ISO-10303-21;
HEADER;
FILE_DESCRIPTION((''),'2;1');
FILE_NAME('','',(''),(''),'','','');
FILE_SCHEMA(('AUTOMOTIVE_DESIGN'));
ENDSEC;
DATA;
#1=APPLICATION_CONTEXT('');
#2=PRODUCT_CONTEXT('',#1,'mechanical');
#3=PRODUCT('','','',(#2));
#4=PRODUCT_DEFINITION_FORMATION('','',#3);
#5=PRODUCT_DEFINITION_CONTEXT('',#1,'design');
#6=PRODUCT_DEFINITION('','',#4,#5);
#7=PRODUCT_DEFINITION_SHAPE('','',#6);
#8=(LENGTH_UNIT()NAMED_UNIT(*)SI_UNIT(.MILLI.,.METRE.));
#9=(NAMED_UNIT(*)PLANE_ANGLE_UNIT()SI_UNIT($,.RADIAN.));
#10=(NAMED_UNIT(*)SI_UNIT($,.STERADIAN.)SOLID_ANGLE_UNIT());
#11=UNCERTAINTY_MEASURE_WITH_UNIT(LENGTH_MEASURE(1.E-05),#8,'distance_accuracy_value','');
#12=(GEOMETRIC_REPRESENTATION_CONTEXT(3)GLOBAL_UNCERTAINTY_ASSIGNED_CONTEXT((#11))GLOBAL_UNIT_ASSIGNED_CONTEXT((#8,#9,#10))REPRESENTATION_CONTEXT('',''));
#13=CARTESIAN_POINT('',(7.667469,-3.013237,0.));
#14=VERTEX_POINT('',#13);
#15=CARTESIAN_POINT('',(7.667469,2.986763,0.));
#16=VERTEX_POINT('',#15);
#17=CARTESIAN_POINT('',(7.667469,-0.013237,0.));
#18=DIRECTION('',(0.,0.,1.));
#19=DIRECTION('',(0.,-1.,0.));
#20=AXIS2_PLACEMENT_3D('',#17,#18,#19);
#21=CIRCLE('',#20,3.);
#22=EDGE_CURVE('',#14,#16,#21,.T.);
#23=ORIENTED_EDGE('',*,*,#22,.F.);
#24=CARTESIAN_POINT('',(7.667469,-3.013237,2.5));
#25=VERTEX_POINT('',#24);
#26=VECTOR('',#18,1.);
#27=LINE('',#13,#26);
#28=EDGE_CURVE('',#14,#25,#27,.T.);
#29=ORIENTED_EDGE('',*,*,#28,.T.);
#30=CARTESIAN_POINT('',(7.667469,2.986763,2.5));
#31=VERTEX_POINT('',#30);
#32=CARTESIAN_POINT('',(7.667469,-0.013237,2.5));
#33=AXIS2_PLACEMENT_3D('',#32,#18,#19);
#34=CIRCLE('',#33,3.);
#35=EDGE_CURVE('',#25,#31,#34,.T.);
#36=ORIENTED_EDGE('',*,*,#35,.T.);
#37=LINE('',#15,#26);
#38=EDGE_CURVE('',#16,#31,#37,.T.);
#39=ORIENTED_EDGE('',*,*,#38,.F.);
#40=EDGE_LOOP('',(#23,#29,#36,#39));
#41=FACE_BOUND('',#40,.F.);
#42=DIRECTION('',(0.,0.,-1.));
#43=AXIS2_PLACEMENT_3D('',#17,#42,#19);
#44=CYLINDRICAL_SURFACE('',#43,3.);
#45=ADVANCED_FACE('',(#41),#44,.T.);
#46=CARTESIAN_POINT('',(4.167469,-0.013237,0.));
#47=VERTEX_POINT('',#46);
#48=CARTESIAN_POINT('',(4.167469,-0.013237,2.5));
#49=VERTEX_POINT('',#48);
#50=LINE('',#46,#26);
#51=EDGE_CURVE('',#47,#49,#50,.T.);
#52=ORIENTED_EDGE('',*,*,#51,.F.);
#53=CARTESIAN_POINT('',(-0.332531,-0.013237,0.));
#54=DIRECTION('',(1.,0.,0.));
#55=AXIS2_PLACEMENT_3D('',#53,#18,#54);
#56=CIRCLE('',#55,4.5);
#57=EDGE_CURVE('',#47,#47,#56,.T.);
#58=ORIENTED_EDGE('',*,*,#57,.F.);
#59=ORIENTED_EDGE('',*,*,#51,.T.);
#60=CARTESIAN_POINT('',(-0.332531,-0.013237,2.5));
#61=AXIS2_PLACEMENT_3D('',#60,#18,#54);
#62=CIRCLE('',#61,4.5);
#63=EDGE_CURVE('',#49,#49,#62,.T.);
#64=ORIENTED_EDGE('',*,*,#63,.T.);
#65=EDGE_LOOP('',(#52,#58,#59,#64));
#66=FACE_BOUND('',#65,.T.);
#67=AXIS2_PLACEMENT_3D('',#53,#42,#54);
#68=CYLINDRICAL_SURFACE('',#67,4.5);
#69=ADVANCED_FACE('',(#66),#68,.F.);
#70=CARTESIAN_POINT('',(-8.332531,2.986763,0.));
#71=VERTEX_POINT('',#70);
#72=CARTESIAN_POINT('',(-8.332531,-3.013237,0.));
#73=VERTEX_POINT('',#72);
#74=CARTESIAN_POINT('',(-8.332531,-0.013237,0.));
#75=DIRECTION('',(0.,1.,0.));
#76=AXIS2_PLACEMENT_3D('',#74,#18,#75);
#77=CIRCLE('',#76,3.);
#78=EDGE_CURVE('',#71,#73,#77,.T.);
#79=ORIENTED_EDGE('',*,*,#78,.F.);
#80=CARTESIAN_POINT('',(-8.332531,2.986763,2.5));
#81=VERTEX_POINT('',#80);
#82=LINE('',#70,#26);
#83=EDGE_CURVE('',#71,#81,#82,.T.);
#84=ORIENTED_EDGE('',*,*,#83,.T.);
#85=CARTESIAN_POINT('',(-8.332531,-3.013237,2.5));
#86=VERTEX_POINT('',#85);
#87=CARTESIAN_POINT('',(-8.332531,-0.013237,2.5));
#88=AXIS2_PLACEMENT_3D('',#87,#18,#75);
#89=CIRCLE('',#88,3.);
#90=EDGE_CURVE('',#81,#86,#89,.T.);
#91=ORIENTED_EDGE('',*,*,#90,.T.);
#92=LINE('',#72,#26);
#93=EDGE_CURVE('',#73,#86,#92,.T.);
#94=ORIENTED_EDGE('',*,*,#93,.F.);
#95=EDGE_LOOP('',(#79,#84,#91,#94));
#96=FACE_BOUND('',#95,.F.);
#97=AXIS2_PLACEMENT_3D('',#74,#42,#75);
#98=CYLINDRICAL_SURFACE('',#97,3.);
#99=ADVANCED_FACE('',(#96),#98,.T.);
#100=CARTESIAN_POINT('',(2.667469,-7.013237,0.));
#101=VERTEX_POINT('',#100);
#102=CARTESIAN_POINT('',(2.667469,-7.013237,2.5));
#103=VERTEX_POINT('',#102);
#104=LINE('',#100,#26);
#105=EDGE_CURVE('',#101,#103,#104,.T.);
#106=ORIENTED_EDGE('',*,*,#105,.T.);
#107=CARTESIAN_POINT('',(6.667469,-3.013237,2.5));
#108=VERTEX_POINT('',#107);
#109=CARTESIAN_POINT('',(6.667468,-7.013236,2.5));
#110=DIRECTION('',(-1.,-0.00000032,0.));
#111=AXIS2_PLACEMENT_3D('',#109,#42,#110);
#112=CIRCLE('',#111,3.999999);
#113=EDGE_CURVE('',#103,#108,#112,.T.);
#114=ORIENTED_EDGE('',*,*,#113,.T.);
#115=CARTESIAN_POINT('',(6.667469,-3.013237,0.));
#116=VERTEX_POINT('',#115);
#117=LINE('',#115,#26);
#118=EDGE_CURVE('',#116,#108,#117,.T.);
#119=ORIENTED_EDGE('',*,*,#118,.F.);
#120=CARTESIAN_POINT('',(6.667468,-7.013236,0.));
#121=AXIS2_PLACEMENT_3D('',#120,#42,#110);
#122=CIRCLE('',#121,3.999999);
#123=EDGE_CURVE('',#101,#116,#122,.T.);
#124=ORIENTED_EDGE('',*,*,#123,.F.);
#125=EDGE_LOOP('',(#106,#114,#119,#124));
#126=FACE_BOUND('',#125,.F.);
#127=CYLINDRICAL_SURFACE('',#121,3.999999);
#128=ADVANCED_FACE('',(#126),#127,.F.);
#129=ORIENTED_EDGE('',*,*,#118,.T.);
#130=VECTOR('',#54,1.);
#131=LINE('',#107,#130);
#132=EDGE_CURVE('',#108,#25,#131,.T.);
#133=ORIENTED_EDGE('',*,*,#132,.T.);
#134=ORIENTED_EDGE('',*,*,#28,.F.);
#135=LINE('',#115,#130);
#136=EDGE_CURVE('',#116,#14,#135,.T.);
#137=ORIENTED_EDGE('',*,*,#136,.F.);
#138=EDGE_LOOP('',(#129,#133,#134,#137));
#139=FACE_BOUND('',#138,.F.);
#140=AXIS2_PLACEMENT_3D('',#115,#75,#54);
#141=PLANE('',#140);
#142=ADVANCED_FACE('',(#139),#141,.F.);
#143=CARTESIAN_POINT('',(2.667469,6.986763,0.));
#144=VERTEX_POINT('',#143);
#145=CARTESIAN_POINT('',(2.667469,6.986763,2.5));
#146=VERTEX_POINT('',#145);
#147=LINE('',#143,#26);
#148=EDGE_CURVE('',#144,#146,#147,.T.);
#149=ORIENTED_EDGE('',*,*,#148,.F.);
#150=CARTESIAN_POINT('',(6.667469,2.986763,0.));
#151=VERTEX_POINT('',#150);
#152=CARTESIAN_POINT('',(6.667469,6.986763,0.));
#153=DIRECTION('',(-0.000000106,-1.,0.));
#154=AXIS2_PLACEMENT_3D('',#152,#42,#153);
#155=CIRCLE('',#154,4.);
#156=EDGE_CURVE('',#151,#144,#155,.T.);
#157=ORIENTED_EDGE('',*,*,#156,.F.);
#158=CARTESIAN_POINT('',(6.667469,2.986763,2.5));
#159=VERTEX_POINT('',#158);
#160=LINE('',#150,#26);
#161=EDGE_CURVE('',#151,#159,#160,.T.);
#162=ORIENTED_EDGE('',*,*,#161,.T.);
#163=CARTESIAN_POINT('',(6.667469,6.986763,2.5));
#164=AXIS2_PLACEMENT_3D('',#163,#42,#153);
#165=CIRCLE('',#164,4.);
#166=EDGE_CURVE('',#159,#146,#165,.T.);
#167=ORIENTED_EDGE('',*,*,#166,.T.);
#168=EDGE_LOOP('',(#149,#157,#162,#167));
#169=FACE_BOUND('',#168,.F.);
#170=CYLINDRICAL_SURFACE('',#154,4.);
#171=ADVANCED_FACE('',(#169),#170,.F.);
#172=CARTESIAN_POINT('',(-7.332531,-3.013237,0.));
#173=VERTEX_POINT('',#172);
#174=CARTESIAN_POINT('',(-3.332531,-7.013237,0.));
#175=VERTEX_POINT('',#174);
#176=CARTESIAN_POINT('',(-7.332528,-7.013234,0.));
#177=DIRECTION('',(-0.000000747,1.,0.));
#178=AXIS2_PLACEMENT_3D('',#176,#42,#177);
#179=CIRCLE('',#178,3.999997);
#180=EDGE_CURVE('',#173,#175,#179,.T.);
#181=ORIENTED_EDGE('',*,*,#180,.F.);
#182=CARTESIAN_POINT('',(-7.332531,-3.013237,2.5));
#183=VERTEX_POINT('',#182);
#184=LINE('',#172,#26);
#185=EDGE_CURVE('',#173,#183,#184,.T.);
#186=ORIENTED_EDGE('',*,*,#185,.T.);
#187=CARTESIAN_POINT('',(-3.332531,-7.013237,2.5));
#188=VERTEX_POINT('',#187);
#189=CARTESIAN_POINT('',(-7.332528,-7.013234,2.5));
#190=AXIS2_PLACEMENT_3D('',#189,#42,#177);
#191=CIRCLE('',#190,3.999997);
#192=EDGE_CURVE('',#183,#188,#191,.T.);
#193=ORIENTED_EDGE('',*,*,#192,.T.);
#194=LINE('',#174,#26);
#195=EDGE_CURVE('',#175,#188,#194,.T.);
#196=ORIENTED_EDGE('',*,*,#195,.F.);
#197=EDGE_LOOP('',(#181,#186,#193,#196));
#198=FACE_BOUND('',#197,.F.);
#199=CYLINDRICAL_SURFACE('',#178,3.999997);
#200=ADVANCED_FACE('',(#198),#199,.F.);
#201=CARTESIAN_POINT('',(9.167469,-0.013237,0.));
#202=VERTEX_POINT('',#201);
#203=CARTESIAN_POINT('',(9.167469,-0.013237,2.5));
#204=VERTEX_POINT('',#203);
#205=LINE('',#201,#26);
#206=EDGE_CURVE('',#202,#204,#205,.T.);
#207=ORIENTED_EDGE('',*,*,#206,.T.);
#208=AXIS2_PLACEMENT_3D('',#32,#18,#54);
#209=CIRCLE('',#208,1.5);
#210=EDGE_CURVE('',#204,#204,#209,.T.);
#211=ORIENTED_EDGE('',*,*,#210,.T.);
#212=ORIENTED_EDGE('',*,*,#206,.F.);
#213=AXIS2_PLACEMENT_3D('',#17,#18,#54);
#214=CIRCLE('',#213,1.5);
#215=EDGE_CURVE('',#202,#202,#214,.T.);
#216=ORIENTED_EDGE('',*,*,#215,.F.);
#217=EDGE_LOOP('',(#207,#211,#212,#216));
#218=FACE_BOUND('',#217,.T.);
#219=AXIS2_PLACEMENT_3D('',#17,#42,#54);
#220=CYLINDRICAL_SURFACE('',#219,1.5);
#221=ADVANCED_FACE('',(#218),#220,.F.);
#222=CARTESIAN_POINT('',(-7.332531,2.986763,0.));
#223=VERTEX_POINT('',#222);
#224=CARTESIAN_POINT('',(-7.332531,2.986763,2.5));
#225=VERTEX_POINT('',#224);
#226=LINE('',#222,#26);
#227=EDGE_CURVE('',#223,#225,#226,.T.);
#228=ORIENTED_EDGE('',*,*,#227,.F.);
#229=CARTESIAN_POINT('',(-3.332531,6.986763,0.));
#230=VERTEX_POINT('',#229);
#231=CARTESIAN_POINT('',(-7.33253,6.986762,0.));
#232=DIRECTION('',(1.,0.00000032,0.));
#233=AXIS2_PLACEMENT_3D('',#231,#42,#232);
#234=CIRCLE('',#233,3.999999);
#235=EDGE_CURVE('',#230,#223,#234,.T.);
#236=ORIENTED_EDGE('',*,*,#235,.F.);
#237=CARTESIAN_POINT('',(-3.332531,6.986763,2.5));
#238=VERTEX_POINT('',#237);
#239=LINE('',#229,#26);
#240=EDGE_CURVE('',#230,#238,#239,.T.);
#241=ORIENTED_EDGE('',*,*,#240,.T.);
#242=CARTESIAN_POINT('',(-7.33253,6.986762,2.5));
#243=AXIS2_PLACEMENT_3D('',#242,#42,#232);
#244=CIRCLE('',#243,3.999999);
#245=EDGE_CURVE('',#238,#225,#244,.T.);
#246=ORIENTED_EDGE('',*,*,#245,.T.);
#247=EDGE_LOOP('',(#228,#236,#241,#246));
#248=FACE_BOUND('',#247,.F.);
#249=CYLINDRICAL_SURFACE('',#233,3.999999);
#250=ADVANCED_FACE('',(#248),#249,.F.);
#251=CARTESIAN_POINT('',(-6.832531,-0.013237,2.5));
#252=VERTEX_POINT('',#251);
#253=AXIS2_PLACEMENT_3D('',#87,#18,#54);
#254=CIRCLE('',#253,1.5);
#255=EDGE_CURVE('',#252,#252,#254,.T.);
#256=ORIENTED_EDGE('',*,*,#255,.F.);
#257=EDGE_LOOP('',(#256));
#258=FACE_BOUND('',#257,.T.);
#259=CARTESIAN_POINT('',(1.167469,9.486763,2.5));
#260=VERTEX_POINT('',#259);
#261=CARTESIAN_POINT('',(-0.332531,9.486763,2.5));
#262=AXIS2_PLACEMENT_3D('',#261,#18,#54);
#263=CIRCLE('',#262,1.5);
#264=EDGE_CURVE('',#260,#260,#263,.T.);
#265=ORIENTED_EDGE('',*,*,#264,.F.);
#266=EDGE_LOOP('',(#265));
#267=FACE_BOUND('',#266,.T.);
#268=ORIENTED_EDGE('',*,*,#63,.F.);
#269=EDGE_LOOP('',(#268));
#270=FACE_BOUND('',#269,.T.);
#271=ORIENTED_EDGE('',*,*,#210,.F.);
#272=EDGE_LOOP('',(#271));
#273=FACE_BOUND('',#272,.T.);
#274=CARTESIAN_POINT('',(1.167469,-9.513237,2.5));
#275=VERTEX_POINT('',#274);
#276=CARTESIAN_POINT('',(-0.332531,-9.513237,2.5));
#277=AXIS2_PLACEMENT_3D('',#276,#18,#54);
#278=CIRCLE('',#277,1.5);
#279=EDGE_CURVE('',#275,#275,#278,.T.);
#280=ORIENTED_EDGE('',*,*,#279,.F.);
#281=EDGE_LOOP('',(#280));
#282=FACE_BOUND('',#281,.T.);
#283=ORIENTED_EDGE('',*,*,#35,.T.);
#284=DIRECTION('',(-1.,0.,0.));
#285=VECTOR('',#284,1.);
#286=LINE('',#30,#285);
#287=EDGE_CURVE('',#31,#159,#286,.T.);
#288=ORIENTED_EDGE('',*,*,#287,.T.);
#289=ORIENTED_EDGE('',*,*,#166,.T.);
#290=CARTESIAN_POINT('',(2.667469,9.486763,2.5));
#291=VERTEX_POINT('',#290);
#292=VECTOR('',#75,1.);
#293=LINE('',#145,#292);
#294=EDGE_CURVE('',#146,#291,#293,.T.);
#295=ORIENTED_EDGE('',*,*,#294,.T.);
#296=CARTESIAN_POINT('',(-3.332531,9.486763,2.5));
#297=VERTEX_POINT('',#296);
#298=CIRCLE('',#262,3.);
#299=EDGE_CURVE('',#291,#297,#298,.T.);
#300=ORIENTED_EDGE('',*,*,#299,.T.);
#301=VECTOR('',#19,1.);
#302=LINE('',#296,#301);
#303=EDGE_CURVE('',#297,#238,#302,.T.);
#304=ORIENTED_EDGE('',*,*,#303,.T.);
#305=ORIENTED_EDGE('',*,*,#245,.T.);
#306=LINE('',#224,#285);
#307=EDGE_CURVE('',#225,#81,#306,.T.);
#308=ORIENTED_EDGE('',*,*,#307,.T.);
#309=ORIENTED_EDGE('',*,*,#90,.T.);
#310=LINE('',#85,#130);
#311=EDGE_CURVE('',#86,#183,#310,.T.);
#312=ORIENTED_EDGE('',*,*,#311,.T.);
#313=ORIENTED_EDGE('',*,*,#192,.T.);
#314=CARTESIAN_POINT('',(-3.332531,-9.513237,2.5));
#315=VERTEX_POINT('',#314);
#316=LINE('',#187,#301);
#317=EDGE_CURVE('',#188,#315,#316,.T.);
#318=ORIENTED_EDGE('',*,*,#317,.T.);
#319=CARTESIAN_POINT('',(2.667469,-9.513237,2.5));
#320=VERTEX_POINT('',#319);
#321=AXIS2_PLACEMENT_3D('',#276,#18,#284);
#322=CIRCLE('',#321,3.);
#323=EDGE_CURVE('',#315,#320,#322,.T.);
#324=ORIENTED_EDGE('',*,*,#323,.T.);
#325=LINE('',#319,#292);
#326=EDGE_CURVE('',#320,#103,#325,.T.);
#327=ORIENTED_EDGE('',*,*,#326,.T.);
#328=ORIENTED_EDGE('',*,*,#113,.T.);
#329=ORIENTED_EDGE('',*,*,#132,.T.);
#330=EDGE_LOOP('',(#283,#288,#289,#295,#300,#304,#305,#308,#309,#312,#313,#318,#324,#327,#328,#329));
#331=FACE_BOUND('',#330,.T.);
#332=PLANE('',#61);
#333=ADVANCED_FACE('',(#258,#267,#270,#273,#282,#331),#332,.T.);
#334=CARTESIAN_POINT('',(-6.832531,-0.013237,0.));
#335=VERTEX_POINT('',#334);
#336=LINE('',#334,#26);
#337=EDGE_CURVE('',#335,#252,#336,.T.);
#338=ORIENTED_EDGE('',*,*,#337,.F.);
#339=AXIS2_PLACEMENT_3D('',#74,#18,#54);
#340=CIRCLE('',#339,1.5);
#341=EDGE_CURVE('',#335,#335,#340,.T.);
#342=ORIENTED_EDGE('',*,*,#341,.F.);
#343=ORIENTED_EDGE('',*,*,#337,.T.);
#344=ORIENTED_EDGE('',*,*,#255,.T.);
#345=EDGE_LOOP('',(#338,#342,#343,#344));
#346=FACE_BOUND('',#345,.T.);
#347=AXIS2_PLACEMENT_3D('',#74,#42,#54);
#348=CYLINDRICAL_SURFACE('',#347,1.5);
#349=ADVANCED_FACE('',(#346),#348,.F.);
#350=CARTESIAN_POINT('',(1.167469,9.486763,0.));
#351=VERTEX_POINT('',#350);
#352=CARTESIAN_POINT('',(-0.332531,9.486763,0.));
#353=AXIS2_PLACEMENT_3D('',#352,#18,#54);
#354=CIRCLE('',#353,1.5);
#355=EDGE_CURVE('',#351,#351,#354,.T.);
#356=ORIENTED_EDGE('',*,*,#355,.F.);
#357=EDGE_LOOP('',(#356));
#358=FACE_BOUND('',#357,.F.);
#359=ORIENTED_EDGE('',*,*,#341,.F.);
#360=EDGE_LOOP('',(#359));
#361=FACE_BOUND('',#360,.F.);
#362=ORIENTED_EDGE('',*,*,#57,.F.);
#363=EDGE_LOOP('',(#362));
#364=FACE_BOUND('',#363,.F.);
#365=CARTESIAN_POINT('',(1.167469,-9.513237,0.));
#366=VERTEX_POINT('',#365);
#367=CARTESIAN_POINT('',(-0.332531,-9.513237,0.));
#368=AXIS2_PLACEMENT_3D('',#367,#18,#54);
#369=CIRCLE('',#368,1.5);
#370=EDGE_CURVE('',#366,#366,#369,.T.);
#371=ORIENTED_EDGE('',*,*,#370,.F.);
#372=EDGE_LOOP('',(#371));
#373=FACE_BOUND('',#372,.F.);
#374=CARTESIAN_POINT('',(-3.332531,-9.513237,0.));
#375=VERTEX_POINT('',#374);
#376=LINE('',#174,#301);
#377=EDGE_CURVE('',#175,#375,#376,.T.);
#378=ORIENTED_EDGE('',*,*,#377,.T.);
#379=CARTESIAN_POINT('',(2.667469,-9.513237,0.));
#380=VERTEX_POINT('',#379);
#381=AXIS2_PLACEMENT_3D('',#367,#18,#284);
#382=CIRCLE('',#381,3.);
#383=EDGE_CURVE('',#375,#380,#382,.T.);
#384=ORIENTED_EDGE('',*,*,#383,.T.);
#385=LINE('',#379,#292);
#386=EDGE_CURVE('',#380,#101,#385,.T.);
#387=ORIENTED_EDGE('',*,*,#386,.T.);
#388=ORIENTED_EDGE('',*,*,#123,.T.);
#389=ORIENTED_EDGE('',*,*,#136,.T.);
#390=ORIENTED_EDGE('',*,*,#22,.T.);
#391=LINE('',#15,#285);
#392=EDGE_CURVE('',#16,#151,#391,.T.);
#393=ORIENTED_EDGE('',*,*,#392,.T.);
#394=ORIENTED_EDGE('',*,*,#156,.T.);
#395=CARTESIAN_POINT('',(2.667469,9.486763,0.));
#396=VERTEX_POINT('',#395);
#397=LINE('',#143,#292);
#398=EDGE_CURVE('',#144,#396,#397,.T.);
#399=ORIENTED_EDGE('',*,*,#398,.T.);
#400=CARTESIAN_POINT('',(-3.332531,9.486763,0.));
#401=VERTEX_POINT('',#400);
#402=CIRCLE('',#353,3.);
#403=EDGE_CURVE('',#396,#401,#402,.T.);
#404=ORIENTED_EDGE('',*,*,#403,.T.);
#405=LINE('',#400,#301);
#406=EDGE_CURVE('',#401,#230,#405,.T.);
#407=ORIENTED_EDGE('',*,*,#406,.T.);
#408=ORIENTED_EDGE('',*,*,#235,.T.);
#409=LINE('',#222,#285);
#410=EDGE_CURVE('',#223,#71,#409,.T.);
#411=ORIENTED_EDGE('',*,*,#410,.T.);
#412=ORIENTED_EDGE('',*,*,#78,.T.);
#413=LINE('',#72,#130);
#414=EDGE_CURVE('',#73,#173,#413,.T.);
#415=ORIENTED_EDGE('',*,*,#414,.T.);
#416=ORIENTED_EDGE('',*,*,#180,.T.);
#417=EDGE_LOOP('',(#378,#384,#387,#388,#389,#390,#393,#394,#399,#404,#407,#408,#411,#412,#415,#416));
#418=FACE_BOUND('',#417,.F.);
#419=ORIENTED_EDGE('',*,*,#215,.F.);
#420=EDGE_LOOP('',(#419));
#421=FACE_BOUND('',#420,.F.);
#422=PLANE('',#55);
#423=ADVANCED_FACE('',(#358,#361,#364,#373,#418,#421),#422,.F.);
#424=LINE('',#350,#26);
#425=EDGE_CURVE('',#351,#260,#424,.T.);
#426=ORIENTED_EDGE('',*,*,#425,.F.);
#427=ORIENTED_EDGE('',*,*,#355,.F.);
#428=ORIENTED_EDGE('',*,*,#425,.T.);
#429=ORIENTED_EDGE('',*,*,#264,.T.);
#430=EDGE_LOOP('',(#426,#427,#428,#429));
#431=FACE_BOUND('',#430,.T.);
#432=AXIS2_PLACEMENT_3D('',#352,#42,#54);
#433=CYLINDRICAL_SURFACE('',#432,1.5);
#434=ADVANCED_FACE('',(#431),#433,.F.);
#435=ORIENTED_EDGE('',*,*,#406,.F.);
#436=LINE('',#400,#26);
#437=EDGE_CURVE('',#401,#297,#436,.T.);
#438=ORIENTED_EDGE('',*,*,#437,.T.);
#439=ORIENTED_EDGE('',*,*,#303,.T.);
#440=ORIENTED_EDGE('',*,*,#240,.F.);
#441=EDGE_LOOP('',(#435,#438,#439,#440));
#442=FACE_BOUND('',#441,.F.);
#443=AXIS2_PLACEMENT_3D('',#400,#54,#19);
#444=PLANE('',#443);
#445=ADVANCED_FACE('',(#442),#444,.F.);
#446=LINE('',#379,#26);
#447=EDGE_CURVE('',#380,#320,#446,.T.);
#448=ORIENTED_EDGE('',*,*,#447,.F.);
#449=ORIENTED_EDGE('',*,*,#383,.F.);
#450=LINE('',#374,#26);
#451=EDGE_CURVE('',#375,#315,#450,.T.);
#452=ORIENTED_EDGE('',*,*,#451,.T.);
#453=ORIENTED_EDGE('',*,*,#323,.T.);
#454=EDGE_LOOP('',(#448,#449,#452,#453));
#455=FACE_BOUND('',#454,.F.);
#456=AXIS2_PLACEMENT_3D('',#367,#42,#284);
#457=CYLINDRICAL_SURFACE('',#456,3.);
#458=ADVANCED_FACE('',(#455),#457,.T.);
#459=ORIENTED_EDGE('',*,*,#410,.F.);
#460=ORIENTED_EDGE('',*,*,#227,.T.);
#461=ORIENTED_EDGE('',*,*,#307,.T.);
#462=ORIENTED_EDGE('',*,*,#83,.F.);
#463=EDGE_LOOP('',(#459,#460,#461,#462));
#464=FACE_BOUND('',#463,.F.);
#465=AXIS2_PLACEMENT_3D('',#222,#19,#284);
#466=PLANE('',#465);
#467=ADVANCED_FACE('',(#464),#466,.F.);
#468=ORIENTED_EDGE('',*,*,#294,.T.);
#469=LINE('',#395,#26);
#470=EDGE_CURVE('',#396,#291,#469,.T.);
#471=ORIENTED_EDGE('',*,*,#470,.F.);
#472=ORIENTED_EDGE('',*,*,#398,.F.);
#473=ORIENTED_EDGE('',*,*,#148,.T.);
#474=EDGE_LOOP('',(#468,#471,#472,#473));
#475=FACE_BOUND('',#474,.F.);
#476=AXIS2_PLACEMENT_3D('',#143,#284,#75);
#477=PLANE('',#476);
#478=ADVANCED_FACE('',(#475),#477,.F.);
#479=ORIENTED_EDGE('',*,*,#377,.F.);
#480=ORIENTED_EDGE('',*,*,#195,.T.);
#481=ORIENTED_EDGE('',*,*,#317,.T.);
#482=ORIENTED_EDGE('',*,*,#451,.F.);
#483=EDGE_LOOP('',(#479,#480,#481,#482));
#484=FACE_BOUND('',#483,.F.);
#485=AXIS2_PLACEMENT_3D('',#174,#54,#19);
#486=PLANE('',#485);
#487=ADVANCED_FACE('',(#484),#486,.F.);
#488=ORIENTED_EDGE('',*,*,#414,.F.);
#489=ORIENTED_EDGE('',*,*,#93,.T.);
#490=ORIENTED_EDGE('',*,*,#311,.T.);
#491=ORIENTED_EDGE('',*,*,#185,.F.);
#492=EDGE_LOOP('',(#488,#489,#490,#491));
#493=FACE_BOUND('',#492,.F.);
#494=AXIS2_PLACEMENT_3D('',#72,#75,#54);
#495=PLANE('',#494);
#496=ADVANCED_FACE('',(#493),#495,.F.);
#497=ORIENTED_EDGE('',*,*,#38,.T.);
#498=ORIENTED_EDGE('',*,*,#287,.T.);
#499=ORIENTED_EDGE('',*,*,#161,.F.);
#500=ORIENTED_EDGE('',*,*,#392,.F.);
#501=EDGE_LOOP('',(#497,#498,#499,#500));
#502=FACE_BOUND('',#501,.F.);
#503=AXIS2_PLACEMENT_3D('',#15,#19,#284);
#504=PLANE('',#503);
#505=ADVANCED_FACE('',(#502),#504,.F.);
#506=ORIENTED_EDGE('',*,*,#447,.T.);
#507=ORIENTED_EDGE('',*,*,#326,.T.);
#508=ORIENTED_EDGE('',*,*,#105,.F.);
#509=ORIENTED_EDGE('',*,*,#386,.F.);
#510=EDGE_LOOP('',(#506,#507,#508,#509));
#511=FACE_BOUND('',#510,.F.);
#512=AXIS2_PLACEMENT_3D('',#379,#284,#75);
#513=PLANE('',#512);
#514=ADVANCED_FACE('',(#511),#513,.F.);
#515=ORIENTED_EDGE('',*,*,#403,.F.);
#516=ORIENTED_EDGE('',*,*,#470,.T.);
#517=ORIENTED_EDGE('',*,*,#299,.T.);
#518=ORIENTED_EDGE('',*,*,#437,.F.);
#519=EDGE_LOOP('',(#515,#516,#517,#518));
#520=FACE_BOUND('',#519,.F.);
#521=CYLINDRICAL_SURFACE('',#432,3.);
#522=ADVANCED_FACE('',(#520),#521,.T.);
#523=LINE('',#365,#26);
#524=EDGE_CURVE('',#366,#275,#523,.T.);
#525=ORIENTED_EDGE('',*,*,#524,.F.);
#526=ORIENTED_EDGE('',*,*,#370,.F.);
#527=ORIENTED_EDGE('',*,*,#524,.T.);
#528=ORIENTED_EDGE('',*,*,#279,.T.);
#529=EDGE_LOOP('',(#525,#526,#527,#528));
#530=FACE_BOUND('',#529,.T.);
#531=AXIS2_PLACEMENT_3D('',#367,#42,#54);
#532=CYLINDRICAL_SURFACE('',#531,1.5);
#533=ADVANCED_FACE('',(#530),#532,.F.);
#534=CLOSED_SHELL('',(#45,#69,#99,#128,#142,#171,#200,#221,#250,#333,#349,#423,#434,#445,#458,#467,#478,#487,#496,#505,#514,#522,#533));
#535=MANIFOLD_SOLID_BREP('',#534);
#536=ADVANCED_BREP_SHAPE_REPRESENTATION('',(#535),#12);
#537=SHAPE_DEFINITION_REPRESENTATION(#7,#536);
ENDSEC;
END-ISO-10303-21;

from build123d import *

# Parameters (mm, degrees)
F0_R     = 1.5
F0_R_2   = 4.5
F1_DEPTH = 2.5


with BuildPart() as f1:
    # F0 (on Top) → F1 (new body)
    with BuildSketch(Plane.XY):
        with BuildLine():
            ThreePointArc((-8.332531, 2.986763), (-11.332531, -0.013237), (-8.332531, -3.013237))
            Line((-8.332531, -3.013237), (-7.332531, -3.013237))
            ThreePointArc((-7.332531, -3.013237), (-4.504103, -4.184809), (-3.332531, -7.013237))
            Line((-3.332531, -7.013237), (-3.332531, -9.513237))
            ThreePointArc((-3.332531, -9.513237), (-0.332531, -12.513237), (2.667469, -9.513237))
            Line((2.667469, -9.513237), (2.667469, -7.013237))
            ThreePointArc((2.667469, -7.013237), (3.839042, -4.184809), (6.667469, -3.013237))
            Line((6.667469, -3.013237), (7.667469, -3.013237))
            ThreePointArc((7.667469, -3.013237), (10.667469, -0.013237), (7.667469, 2.986763))
            Line((7.667469, 2.986763), (6.667469, 2.986763))
            ThreePointArc((6.667469, 2.986763), (3.839042, 4.158336), (2.667469, 6.986763))
            Line((2.667469, 6.986763), (2.667469, 9.486763))
            ThreePointArc((2.667469, 9.486763), (-0.332531, 12.486763), (-3.332531, 9.486763))
            Line((-3.332531, 9.486763), (-3.332531, 6.986763))
            ThreePointArc((-3.332531, 6.986763), (-4.504103, 4.158336), (-7.332531, 2.986763))
            Line((-7.332531, 2.986763), (-8.332531, 2.986763))
        make_face()
        with Locations((-0.332531, -9.513237)):
            Circle(F0_R, mode=Mode.SUBTRACT)
        with Locations((-8.332531, -0.013237)):
            Circle(F0_R, mode=Mode.SUBTRACT)
        with Locations((-0.332531, -0.013237)):
            Circle(F0_R_2, mode=Mode.SUBTRACT)
        with Locations((7.667469, -0.013237)):
            Circle(F0_R, mode=Mode.SUBTRACT)
        with Locations((-0.332531, 9.486763)):
            Circle(F0_R, mode=Mode.SUBTRACT)
    extrude(amount=F1_DEPTH)


solid = f1.part
